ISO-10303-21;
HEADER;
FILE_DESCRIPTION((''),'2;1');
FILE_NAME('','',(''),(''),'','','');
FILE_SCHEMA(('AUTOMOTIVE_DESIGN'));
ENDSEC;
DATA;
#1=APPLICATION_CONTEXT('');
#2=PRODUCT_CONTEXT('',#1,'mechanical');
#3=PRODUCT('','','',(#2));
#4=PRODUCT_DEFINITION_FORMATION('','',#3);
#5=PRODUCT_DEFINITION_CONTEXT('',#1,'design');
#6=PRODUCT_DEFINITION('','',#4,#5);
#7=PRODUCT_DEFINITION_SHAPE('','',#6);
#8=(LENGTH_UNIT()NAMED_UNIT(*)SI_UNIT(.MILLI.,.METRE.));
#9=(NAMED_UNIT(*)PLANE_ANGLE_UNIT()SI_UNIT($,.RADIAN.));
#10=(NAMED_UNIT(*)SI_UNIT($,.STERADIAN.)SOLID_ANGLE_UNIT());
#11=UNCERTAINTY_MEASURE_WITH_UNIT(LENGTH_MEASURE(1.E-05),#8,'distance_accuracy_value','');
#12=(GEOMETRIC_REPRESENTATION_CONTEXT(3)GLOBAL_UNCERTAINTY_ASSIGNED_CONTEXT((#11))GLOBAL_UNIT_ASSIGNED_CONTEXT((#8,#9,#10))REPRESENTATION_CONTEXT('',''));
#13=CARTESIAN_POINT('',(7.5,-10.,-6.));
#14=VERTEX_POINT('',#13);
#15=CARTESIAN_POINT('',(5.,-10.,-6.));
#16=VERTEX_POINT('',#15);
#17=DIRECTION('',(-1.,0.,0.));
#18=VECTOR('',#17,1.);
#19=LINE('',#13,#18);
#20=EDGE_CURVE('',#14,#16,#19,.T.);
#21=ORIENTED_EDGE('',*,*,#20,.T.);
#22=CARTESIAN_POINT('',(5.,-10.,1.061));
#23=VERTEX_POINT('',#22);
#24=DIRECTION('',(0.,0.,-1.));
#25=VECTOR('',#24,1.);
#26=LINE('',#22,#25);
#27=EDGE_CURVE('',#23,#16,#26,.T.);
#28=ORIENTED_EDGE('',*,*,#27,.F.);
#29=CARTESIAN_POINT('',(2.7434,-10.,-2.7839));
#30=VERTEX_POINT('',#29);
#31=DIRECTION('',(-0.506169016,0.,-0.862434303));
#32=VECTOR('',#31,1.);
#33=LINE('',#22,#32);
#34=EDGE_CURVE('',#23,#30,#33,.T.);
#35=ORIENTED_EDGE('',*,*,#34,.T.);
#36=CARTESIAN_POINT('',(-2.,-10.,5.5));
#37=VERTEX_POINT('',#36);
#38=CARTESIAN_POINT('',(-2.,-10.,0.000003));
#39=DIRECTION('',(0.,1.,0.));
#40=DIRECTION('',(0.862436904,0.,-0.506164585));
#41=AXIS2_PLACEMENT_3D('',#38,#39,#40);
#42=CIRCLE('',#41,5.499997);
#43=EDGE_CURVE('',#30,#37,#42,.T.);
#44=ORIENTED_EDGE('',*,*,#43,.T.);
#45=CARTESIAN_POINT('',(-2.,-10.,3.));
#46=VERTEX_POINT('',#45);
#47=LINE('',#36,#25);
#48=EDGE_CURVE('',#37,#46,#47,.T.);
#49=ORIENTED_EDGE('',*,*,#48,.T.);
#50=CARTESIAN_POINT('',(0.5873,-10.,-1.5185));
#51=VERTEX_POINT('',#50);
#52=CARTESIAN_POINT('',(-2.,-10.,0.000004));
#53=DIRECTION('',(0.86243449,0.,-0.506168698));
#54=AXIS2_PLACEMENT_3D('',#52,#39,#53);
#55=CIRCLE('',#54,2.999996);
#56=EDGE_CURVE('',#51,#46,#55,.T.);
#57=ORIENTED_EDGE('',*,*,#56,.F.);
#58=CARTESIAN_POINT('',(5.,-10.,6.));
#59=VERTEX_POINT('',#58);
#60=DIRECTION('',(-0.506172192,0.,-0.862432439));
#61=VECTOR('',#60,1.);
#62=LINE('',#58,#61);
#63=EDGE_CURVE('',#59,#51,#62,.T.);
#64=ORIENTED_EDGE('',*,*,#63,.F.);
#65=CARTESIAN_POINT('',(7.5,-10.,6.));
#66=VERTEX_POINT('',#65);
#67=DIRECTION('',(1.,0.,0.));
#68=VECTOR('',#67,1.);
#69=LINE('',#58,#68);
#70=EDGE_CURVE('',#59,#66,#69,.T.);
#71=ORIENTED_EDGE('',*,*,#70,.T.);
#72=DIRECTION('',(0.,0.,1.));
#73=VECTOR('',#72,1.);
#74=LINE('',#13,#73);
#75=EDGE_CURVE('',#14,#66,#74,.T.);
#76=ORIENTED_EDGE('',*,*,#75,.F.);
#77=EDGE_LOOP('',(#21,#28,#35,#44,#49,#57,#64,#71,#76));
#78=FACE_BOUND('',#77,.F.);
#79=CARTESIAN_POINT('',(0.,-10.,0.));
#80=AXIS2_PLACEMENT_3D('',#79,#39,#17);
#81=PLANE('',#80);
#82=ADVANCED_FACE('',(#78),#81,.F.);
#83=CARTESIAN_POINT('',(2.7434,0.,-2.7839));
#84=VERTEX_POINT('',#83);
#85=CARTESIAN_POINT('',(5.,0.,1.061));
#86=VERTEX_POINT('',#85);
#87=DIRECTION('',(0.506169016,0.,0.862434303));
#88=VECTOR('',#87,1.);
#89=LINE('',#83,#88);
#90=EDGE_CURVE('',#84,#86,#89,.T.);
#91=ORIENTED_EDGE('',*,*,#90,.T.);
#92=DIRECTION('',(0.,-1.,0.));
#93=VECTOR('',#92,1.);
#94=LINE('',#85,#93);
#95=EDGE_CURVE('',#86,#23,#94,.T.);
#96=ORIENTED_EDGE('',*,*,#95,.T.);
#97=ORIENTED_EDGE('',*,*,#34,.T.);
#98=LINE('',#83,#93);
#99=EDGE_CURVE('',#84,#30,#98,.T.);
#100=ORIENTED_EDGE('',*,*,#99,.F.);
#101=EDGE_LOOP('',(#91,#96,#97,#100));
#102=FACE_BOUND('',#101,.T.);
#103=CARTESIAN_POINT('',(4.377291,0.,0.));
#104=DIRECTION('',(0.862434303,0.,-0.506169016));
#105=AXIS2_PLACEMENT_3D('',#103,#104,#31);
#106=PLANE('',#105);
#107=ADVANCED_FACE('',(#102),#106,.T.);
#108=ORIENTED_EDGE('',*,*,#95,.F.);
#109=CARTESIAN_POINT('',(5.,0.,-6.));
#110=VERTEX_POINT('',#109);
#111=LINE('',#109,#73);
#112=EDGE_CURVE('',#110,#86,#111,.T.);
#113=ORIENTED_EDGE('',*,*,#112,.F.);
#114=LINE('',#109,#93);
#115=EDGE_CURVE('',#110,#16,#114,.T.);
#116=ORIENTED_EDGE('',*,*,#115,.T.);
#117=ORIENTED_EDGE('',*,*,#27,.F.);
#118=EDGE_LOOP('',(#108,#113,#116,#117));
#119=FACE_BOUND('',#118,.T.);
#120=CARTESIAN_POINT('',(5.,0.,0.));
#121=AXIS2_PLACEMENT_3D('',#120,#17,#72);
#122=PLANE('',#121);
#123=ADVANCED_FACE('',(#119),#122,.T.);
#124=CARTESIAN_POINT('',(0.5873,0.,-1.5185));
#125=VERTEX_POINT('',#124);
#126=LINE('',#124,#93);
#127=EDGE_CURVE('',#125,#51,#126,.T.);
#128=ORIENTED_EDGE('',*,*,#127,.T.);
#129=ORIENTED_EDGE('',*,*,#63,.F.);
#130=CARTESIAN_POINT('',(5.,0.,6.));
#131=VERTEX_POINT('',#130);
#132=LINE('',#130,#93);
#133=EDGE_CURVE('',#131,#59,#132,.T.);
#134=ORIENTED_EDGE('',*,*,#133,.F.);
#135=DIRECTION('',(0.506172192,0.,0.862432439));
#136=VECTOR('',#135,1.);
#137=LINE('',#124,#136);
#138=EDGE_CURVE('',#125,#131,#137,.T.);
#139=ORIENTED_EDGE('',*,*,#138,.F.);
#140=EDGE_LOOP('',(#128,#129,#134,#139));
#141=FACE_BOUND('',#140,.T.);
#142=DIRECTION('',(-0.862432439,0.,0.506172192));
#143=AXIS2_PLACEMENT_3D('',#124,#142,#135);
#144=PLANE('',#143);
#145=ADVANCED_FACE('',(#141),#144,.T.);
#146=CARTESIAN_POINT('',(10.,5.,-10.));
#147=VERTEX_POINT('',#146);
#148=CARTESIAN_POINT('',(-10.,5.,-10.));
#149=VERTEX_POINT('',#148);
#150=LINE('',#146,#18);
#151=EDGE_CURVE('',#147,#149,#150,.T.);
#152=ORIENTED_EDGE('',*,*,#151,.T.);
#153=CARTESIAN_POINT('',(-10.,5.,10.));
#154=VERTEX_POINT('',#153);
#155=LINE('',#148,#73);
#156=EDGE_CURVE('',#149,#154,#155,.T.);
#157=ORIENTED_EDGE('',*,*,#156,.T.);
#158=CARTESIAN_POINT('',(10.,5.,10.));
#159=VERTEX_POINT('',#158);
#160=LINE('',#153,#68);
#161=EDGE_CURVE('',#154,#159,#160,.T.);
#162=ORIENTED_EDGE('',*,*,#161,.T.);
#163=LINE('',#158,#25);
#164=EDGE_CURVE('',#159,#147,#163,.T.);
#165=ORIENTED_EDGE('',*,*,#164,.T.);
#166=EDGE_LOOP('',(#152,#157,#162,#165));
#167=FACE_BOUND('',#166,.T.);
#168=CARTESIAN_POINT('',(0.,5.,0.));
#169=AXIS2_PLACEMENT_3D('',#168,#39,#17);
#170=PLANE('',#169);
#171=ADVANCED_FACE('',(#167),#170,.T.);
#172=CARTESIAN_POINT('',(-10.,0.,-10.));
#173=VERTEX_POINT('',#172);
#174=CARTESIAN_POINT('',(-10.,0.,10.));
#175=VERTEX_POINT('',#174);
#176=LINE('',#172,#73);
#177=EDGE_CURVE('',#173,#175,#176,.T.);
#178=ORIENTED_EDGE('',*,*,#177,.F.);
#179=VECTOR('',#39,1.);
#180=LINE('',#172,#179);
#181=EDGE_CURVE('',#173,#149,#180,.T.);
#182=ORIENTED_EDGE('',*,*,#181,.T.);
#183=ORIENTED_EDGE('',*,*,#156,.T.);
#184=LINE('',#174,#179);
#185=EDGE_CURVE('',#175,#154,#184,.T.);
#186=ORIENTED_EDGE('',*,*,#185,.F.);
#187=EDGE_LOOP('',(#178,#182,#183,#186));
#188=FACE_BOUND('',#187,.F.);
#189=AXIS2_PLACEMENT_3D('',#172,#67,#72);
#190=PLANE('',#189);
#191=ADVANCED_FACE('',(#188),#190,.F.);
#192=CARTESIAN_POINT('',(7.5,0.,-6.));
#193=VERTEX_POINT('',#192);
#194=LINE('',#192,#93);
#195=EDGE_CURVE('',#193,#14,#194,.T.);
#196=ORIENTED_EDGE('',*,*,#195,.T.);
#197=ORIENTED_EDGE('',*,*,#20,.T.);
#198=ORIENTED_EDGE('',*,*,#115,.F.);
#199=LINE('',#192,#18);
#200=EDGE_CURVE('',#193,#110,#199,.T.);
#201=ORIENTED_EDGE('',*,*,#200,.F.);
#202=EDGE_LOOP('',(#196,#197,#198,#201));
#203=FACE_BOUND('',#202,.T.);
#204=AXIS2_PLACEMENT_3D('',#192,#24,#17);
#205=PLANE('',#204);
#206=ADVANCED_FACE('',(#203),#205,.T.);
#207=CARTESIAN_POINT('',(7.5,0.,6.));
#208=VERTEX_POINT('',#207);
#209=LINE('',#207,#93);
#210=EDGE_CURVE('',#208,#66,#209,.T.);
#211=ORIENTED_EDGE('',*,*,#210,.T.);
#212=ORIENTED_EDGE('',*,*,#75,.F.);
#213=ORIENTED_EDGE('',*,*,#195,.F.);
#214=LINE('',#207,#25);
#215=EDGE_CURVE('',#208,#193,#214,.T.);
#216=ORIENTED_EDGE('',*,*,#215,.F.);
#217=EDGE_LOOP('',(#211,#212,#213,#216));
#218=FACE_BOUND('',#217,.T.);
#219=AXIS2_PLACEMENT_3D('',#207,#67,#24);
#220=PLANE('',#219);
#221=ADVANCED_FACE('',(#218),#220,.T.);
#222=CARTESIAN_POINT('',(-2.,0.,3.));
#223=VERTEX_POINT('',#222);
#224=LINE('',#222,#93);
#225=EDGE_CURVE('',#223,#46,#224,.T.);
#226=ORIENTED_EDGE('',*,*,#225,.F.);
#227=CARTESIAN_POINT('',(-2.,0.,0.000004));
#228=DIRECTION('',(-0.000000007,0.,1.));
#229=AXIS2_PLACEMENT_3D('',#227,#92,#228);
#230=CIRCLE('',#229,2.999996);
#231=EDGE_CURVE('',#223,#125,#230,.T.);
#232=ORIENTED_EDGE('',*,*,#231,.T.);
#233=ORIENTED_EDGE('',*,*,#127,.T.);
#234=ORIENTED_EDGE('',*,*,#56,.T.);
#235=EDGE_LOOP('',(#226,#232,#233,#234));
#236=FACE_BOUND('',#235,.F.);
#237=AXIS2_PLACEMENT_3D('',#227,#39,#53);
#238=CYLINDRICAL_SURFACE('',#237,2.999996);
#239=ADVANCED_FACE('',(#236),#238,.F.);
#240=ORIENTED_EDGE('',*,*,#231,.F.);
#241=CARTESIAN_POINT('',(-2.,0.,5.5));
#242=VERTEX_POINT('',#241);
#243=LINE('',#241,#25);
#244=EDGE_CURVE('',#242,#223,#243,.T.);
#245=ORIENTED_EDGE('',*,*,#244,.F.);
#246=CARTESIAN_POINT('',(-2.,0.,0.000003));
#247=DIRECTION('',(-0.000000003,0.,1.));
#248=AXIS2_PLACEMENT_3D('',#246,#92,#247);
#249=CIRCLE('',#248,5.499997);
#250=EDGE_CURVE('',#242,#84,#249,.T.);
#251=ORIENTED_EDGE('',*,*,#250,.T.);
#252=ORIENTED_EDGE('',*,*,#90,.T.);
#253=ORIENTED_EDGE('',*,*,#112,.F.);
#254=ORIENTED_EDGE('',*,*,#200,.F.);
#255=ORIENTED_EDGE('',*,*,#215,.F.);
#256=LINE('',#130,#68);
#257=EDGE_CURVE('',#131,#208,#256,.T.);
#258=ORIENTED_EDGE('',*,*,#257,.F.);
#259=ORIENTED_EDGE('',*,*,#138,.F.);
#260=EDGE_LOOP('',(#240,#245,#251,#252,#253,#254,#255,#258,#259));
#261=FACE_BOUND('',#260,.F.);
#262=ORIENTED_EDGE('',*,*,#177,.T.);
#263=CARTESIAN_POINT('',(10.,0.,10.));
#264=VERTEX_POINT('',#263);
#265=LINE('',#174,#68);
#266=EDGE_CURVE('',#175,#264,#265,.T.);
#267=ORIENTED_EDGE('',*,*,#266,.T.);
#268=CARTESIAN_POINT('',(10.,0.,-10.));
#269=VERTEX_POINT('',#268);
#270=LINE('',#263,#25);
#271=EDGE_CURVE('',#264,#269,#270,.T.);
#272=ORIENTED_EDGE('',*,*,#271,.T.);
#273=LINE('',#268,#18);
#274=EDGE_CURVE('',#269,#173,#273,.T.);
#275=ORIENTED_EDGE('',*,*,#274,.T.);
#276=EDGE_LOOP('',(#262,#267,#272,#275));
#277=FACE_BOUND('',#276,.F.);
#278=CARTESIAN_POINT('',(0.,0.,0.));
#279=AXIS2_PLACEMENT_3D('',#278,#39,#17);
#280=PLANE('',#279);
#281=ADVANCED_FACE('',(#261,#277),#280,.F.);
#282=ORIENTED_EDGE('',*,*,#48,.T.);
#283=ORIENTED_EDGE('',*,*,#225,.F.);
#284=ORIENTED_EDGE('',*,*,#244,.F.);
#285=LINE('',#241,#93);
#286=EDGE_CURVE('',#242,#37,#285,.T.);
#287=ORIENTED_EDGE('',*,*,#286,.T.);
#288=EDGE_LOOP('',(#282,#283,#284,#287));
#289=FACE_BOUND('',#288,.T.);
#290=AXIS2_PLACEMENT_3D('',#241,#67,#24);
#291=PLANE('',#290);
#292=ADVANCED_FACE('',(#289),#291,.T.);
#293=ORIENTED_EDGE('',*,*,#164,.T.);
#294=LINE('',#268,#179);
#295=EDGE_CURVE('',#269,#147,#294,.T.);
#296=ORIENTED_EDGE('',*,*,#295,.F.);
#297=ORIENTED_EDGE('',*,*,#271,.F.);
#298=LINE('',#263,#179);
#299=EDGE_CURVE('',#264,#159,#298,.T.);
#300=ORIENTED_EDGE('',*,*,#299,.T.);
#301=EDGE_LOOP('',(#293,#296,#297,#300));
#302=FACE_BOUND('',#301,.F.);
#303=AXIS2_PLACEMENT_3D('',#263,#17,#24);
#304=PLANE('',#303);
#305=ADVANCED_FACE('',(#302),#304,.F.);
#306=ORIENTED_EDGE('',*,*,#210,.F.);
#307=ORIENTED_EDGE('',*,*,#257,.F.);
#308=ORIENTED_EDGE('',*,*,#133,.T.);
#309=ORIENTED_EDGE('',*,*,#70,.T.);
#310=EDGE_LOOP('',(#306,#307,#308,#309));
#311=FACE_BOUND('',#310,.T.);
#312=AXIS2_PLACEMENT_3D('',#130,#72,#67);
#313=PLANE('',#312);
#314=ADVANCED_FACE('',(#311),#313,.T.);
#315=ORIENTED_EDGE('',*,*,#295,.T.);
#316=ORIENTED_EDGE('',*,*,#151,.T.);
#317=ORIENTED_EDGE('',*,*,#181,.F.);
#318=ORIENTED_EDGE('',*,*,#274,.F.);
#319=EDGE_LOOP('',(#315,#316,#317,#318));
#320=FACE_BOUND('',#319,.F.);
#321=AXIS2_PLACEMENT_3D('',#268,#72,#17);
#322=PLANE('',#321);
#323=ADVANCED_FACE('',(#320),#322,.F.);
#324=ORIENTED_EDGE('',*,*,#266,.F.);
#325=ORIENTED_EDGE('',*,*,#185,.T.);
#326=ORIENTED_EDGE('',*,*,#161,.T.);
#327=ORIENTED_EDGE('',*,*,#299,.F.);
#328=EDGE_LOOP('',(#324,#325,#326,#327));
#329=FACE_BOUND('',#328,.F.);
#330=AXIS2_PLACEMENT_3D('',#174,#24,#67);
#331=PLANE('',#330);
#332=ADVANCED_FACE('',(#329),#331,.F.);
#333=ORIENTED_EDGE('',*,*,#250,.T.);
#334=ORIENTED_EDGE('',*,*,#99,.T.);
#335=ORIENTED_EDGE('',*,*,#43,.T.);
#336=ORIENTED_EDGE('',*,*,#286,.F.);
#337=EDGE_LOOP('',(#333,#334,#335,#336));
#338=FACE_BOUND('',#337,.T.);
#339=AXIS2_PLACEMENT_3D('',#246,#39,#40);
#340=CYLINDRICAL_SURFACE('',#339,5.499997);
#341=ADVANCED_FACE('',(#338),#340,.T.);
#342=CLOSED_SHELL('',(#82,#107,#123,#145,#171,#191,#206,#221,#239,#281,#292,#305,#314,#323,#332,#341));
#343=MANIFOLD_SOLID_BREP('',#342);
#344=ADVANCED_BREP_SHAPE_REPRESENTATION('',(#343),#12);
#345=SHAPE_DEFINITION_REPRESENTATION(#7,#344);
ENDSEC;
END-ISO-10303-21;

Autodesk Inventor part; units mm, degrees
ref_plane "YZ Plane" through (0, 0, 0) normal (1, 0, 0) x (0, 1, 0)
ref_plane "XZ Plane" through (0, 0, 0) normal (0, 1, 0) x (-1, 0, 0)
ref_plane "XY Plane" through (0, 0, 0) normal (0, 0, 1) x (1, 0, 0)
sketch "Sketch1" plane through (0, 0, 0) normal (0, 1, 0) x (-1, 0, 0)
  line L0 (-10, -10) -> (10, -10)
  line L1 (10, -10) -> (10, 10)
  line L2 (10, 10) -> (-10, 10)
  line L3 (-10, 10) -> (-10, -10)
  line L4 (-10, -10) -> (10, 10) construction
  line L5 (10, -10) -> (-10, 10) construction
  point P0 (0, 0)
  dimension "d0" = 20
  dimension "d1" = 20
extrude "Extrusion1" add sketch "Sketch1" along normal blind 5
sketch "Sketch2" plane through (0, 0, 0) normal (0, 1, 0) x (-1, 0, 0)
  arc A0 (-2.7434, -2.7839) -> (2, 5.5) centre (2, 0) ccw
  line L0 (2, 0) -> (-2.7434, -2.7839) construction
  line L1 (2, 0) -> (2, 5.5) construction
  arc A1 (-0.5873, -1.5185) -> (2, 3) centre (2, 0) ccw
  line L2 (2, 5.5) -> (2, 3)
  line L3 (-0.5873, -1.5185) -> (-5, 6)
  line L4 (-5, 6) -> (-7.5, 6)
  line L5 (-7.5, 6) -> (-7.5, -6)
  line L6 (-7.5, -6) -> (-5, -6)
  line L7 (-5, -6) -> (-5, 1.061)
  line L8 (-5, 1.061) -> (-2.7434, -2.7839)
  line L9 (-10, 10) -> (-10, -10) projected
  line L10 (7.5, 0) -> (7.5, -3.2169) construction
  line L11 (10, -10) -> (10, 10) projected
  line L12 (14, 0) -> (-14, 0) projected
  point P0 (0, 0)
  point P1 (2, 4.25)
  point P2 (-5, -2.4695)
  point P3 (-7.5, 0)
  dimension "d6" = 2.5
  dimension "d7" = 2.5
  dimension "d9" = 3
  dimension "d11" = 12
  dimension "d13" = 2.5
  dimension "d14" = 2.5
  dimension "d15" = 2.5
extrude "Extrusion2" add sketch "Sketch2" against normal blind 10 contours L8 L12 L3 A1 A0 | L12 A1 L2 A0 | L8 L7 L12 L5 L4 L3 | L7 L6 L5 L12
properties part number "2"
